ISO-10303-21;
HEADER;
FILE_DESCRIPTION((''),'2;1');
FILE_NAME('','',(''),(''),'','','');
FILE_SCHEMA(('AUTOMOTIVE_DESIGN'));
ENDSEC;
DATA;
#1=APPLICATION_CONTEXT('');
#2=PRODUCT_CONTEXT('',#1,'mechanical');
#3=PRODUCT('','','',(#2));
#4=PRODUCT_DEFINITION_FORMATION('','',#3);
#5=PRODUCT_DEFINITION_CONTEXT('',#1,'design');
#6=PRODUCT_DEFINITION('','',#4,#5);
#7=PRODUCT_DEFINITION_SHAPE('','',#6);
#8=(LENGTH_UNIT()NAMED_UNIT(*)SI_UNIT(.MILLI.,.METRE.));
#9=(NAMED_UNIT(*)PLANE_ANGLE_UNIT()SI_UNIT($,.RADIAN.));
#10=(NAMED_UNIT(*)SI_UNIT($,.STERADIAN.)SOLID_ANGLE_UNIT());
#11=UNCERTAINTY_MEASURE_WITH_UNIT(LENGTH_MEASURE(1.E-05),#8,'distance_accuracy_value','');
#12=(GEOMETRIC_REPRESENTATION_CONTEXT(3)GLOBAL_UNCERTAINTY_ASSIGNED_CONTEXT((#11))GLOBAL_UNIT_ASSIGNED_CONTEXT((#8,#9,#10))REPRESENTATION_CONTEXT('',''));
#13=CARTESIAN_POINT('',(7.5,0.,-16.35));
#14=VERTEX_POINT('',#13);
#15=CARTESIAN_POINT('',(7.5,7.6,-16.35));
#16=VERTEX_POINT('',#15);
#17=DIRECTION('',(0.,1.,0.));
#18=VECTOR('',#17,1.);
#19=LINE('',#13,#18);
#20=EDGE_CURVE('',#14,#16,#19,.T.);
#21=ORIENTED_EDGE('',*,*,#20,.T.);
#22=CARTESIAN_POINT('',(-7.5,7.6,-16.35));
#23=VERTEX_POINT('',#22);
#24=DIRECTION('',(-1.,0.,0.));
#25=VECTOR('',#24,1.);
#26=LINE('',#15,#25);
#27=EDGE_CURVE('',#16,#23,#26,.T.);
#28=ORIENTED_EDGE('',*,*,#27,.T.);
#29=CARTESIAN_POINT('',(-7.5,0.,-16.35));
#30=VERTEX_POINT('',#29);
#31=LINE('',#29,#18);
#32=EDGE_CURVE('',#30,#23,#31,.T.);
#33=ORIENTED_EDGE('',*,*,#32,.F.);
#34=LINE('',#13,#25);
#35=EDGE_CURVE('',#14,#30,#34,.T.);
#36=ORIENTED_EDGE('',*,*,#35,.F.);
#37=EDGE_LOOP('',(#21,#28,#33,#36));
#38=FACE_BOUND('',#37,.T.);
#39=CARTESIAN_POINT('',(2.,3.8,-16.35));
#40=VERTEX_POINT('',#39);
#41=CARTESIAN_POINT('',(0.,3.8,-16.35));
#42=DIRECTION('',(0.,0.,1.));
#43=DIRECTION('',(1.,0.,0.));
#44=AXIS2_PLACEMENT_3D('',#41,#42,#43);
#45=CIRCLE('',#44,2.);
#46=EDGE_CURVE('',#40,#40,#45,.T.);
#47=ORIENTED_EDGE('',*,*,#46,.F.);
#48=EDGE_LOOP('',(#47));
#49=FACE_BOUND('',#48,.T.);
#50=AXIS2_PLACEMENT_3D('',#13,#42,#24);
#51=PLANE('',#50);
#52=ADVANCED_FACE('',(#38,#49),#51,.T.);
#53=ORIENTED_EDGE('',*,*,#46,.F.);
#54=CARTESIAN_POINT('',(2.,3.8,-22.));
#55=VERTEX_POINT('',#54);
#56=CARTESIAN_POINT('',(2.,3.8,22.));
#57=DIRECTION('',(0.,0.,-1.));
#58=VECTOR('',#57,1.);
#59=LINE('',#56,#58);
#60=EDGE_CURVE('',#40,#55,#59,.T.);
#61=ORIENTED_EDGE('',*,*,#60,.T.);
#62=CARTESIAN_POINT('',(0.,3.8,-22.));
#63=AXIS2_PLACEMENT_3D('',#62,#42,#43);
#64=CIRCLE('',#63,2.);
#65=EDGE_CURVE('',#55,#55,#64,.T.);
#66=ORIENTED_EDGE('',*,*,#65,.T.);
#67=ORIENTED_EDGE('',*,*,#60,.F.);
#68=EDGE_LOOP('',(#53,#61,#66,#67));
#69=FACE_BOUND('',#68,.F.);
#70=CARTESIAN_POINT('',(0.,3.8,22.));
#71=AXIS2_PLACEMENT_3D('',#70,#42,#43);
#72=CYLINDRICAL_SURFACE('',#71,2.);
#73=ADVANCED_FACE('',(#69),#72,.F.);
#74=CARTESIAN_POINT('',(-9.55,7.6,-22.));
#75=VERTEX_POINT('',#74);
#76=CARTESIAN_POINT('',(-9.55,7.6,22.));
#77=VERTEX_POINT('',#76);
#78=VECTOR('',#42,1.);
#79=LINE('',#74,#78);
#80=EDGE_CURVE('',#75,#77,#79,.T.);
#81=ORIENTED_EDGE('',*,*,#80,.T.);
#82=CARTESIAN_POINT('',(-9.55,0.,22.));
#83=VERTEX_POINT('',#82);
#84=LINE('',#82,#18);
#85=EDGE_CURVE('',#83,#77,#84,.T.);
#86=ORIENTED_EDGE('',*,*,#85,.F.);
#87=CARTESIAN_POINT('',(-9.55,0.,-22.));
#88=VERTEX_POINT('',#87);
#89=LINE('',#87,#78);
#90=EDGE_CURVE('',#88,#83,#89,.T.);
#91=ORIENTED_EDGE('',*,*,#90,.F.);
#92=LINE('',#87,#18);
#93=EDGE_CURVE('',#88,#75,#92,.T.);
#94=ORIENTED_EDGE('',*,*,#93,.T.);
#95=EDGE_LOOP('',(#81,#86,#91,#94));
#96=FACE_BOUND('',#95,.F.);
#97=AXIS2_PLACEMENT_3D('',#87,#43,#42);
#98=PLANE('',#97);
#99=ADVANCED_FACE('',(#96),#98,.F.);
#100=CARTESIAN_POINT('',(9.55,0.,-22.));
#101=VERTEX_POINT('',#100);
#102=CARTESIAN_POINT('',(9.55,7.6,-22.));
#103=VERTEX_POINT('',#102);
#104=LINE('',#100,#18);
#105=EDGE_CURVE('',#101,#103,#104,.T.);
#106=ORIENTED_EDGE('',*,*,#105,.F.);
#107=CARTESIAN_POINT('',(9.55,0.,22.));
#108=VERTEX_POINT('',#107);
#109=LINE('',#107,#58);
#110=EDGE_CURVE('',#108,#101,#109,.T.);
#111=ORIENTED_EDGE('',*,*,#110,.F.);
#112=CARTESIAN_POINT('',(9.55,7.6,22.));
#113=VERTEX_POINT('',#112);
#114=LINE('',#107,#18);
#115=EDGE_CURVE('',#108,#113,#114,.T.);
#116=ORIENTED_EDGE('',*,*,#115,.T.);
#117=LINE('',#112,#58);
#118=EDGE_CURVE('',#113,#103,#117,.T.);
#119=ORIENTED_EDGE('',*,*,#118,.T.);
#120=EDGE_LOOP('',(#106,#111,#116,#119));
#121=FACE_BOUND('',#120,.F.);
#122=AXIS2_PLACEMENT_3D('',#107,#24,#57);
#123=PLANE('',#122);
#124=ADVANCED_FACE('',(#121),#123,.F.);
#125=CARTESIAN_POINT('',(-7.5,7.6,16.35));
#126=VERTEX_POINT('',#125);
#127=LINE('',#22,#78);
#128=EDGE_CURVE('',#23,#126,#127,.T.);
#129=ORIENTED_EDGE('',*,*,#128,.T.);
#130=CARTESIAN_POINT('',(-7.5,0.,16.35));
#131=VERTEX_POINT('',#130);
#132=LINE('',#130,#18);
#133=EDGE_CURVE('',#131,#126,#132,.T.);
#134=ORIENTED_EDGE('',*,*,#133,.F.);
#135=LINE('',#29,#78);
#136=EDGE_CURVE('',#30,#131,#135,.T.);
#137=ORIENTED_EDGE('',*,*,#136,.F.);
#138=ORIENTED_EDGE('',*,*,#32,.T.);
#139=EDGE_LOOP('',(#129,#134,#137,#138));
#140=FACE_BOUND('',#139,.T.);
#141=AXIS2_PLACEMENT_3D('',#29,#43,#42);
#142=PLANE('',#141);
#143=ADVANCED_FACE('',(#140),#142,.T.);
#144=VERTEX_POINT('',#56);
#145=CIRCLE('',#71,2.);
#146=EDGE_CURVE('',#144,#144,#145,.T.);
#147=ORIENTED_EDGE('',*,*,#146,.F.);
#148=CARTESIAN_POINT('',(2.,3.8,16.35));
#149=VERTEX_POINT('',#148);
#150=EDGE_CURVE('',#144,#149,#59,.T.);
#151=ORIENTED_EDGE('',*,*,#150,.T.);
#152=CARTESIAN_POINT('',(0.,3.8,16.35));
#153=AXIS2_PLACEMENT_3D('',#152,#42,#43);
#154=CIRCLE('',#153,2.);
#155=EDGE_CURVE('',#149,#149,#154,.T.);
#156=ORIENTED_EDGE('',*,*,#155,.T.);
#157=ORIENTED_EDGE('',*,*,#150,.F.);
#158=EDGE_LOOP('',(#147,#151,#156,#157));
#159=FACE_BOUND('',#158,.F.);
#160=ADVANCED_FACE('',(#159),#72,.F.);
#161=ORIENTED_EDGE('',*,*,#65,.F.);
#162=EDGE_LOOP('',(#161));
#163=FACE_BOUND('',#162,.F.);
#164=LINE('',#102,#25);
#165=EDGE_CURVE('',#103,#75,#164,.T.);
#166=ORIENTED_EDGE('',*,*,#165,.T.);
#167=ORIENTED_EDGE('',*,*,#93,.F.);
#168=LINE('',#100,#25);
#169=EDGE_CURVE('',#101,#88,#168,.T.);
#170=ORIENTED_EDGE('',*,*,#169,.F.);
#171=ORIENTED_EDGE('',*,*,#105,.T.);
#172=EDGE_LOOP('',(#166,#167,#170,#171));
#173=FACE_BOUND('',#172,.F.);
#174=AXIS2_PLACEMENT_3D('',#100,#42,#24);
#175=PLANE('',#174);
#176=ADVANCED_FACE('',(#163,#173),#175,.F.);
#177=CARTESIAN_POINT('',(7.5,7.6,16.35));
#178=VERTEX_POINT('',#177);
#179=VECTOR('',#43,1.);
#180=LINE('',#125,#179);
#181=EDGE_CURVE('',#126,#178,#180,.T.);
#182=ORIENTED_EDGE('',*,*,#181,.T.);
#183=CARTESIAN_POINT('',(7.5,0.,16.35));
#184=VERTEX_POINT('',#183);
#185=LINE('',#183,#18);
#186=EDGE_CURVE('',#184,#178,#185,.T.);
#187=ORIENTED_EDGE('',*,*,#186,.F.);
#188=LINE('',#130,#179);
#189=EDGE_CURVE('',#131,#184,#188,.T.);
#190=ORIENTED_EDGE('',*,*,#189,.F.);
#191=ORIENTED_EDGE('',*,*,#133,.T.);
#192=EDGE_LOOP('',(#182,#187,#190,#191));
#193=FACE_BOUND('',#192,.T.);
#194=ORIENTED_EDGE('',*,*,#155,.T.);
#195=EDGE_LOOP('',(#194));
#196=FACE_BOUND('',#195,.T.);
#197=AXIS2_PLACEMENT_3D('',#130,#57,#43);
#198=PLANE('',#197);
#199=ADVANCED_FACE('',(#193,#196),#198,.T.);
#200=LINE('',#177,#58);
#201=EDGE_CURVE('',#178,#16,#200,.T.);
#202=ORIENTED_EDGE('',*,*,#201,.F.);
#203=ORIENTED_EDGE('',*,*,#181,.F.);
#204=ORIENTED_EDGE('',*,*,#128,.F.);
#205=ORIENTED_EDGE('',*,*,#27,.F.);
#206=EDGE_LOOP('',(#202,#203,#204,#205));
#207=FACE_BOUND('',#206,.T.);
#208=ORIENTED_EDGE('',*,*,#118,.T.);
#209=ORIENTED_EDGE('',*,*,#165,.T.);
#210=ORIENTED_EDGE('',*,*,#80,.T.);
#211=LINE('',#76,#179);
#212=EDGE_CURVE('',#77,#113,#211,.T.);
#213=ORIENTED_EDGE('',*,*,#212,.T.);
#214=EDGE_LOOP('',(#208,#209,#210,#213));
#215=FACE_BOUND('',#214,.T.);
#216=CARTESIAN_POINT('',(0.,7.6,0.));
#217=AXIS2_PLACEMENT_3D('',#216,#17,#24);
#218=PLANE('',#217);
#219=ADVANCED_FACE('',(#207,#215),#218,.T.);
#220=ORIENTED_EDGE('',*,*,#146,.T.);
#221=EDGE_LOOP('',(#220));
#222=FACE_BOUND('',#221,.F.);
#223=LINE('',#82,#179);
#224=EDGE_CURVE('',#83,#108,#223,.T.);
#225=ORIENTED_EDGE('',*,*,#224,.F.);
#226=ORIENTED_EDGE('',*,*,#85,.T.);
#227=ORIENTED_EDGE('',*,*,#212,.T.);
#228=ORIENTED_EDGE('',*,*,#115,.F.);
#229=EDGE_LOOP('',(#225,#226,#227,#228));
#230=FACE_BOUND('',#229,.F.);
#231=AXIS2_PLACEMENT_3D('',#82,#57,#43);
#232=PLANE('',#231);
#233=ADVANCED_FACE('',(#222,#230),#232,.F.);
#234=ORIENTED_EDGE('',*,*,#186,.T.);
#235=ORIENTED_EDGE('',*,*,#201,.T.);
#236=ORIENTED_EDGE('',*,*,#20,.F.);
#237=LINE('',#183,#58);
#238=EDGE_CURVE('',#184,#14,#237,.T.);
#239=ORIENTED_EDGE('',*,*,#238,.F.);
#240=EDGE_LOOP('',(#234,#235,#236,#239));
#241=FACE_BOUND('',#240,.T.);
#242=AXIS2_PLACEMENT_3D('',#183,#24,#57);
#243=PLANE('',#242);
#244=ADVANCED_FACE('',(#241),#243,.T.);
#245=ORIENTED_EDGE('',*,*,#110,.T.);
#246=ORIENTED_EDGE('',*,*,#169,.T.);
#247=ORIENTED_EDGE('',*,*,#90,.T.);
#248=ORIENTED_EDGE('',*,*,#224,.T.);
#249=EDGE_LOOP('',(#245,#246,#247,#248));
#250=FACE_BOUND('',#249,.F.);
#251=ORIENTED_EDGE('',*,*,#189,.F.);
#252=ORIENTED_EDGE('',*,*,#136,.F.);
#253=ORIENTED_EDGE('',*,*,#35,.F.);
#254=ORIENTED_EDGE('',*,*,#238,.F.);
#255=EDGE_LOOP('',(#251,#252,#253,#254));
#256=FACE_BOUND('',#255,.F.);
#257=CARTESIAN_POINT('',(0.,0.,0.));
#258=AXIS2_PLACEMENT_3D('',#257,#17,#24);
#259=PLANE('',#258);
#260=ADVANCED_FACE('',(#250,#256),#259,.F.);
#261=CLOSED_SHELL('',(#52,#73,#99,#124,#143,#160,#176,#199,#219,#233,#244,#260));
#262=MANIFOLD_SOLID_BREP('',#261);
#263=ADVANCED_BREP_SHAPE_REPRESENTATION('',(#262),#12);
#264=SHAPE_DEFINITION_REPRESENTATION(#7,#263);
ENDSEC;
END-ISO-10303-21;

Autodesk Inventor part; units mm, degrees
ref_plane "YZ Plane" through (0, 0, 0) normal (1, 0, 0) x (0, 1, 0)
ref_plane "XZ Plane" through (0, 0, 0) normal (0, 1, 0) x (-1, 0, 0)
ref_plane "XY Plane" through (0, 0, 0) normal (0, 0, 1) x (1, 0, 0)
sketch "Sketch1" plane through (0, 0, 0) normal (0, 1, 0) x (-1, 0, 0)
  line L0 (9.55, 22) -> (-9.55, 22)
  line L1 (-9.55, 22) -> (-9.55, -22)
  line L2 (-9.55, -22) -> (9.55, -22)
  line L3 (9.55, -22) -> (9.55, 22)
  line L4 (9.55, 22) -> (-9.55, -22) construction
  line L5 (-9.55, 22) -> (9.55, -22) construction
  line L6 (7.5, 16.35) -> (-7.5, 16.35)
  line L7 (-7.5, 16.35) -> (-7.5, -16.35)
  line L8 (-7.5, -16.35) -> (7.5, -16.35)
  line L9 (7.5, -16.35) -> (7.5, 16.35)
  line L10 (7.5, 16.35) -> (-7.5, -16.35) construction
  line L11 (-7.5, 16.35) -> (7.5, -16.35) construction
  point P0 (0, 0)
  dimension "d0" = 44
  dimension "d1" = 19.1
  dimension "d4" = 32.7
  dimension "d5" = 15
extrude "Extrusion1" add sketch "Sketch1" along normal blind 7.6
sketch "Sketch2" plane through (-9.55, 0, 22) normal (0, 0, 1) x (1, 0, 0)
  circle A0 centre (9.55, 3.8) radius 2
  line L0 (0, 0) -> (0, 7.6) projected
  line L1 (0, 7.6) -> (19.1, 0) construction
  line L2 (19.1, 0) -> (0, 0) projected
  line L3 (19.1, 7.6) -> (0, 0) construction
  point P0 (9.55, 0)
  dimension "d6" = 4
extrude "Extrusion2" cut sketch "Sketch2" against normal through all
properties part number "MM3_cage"
